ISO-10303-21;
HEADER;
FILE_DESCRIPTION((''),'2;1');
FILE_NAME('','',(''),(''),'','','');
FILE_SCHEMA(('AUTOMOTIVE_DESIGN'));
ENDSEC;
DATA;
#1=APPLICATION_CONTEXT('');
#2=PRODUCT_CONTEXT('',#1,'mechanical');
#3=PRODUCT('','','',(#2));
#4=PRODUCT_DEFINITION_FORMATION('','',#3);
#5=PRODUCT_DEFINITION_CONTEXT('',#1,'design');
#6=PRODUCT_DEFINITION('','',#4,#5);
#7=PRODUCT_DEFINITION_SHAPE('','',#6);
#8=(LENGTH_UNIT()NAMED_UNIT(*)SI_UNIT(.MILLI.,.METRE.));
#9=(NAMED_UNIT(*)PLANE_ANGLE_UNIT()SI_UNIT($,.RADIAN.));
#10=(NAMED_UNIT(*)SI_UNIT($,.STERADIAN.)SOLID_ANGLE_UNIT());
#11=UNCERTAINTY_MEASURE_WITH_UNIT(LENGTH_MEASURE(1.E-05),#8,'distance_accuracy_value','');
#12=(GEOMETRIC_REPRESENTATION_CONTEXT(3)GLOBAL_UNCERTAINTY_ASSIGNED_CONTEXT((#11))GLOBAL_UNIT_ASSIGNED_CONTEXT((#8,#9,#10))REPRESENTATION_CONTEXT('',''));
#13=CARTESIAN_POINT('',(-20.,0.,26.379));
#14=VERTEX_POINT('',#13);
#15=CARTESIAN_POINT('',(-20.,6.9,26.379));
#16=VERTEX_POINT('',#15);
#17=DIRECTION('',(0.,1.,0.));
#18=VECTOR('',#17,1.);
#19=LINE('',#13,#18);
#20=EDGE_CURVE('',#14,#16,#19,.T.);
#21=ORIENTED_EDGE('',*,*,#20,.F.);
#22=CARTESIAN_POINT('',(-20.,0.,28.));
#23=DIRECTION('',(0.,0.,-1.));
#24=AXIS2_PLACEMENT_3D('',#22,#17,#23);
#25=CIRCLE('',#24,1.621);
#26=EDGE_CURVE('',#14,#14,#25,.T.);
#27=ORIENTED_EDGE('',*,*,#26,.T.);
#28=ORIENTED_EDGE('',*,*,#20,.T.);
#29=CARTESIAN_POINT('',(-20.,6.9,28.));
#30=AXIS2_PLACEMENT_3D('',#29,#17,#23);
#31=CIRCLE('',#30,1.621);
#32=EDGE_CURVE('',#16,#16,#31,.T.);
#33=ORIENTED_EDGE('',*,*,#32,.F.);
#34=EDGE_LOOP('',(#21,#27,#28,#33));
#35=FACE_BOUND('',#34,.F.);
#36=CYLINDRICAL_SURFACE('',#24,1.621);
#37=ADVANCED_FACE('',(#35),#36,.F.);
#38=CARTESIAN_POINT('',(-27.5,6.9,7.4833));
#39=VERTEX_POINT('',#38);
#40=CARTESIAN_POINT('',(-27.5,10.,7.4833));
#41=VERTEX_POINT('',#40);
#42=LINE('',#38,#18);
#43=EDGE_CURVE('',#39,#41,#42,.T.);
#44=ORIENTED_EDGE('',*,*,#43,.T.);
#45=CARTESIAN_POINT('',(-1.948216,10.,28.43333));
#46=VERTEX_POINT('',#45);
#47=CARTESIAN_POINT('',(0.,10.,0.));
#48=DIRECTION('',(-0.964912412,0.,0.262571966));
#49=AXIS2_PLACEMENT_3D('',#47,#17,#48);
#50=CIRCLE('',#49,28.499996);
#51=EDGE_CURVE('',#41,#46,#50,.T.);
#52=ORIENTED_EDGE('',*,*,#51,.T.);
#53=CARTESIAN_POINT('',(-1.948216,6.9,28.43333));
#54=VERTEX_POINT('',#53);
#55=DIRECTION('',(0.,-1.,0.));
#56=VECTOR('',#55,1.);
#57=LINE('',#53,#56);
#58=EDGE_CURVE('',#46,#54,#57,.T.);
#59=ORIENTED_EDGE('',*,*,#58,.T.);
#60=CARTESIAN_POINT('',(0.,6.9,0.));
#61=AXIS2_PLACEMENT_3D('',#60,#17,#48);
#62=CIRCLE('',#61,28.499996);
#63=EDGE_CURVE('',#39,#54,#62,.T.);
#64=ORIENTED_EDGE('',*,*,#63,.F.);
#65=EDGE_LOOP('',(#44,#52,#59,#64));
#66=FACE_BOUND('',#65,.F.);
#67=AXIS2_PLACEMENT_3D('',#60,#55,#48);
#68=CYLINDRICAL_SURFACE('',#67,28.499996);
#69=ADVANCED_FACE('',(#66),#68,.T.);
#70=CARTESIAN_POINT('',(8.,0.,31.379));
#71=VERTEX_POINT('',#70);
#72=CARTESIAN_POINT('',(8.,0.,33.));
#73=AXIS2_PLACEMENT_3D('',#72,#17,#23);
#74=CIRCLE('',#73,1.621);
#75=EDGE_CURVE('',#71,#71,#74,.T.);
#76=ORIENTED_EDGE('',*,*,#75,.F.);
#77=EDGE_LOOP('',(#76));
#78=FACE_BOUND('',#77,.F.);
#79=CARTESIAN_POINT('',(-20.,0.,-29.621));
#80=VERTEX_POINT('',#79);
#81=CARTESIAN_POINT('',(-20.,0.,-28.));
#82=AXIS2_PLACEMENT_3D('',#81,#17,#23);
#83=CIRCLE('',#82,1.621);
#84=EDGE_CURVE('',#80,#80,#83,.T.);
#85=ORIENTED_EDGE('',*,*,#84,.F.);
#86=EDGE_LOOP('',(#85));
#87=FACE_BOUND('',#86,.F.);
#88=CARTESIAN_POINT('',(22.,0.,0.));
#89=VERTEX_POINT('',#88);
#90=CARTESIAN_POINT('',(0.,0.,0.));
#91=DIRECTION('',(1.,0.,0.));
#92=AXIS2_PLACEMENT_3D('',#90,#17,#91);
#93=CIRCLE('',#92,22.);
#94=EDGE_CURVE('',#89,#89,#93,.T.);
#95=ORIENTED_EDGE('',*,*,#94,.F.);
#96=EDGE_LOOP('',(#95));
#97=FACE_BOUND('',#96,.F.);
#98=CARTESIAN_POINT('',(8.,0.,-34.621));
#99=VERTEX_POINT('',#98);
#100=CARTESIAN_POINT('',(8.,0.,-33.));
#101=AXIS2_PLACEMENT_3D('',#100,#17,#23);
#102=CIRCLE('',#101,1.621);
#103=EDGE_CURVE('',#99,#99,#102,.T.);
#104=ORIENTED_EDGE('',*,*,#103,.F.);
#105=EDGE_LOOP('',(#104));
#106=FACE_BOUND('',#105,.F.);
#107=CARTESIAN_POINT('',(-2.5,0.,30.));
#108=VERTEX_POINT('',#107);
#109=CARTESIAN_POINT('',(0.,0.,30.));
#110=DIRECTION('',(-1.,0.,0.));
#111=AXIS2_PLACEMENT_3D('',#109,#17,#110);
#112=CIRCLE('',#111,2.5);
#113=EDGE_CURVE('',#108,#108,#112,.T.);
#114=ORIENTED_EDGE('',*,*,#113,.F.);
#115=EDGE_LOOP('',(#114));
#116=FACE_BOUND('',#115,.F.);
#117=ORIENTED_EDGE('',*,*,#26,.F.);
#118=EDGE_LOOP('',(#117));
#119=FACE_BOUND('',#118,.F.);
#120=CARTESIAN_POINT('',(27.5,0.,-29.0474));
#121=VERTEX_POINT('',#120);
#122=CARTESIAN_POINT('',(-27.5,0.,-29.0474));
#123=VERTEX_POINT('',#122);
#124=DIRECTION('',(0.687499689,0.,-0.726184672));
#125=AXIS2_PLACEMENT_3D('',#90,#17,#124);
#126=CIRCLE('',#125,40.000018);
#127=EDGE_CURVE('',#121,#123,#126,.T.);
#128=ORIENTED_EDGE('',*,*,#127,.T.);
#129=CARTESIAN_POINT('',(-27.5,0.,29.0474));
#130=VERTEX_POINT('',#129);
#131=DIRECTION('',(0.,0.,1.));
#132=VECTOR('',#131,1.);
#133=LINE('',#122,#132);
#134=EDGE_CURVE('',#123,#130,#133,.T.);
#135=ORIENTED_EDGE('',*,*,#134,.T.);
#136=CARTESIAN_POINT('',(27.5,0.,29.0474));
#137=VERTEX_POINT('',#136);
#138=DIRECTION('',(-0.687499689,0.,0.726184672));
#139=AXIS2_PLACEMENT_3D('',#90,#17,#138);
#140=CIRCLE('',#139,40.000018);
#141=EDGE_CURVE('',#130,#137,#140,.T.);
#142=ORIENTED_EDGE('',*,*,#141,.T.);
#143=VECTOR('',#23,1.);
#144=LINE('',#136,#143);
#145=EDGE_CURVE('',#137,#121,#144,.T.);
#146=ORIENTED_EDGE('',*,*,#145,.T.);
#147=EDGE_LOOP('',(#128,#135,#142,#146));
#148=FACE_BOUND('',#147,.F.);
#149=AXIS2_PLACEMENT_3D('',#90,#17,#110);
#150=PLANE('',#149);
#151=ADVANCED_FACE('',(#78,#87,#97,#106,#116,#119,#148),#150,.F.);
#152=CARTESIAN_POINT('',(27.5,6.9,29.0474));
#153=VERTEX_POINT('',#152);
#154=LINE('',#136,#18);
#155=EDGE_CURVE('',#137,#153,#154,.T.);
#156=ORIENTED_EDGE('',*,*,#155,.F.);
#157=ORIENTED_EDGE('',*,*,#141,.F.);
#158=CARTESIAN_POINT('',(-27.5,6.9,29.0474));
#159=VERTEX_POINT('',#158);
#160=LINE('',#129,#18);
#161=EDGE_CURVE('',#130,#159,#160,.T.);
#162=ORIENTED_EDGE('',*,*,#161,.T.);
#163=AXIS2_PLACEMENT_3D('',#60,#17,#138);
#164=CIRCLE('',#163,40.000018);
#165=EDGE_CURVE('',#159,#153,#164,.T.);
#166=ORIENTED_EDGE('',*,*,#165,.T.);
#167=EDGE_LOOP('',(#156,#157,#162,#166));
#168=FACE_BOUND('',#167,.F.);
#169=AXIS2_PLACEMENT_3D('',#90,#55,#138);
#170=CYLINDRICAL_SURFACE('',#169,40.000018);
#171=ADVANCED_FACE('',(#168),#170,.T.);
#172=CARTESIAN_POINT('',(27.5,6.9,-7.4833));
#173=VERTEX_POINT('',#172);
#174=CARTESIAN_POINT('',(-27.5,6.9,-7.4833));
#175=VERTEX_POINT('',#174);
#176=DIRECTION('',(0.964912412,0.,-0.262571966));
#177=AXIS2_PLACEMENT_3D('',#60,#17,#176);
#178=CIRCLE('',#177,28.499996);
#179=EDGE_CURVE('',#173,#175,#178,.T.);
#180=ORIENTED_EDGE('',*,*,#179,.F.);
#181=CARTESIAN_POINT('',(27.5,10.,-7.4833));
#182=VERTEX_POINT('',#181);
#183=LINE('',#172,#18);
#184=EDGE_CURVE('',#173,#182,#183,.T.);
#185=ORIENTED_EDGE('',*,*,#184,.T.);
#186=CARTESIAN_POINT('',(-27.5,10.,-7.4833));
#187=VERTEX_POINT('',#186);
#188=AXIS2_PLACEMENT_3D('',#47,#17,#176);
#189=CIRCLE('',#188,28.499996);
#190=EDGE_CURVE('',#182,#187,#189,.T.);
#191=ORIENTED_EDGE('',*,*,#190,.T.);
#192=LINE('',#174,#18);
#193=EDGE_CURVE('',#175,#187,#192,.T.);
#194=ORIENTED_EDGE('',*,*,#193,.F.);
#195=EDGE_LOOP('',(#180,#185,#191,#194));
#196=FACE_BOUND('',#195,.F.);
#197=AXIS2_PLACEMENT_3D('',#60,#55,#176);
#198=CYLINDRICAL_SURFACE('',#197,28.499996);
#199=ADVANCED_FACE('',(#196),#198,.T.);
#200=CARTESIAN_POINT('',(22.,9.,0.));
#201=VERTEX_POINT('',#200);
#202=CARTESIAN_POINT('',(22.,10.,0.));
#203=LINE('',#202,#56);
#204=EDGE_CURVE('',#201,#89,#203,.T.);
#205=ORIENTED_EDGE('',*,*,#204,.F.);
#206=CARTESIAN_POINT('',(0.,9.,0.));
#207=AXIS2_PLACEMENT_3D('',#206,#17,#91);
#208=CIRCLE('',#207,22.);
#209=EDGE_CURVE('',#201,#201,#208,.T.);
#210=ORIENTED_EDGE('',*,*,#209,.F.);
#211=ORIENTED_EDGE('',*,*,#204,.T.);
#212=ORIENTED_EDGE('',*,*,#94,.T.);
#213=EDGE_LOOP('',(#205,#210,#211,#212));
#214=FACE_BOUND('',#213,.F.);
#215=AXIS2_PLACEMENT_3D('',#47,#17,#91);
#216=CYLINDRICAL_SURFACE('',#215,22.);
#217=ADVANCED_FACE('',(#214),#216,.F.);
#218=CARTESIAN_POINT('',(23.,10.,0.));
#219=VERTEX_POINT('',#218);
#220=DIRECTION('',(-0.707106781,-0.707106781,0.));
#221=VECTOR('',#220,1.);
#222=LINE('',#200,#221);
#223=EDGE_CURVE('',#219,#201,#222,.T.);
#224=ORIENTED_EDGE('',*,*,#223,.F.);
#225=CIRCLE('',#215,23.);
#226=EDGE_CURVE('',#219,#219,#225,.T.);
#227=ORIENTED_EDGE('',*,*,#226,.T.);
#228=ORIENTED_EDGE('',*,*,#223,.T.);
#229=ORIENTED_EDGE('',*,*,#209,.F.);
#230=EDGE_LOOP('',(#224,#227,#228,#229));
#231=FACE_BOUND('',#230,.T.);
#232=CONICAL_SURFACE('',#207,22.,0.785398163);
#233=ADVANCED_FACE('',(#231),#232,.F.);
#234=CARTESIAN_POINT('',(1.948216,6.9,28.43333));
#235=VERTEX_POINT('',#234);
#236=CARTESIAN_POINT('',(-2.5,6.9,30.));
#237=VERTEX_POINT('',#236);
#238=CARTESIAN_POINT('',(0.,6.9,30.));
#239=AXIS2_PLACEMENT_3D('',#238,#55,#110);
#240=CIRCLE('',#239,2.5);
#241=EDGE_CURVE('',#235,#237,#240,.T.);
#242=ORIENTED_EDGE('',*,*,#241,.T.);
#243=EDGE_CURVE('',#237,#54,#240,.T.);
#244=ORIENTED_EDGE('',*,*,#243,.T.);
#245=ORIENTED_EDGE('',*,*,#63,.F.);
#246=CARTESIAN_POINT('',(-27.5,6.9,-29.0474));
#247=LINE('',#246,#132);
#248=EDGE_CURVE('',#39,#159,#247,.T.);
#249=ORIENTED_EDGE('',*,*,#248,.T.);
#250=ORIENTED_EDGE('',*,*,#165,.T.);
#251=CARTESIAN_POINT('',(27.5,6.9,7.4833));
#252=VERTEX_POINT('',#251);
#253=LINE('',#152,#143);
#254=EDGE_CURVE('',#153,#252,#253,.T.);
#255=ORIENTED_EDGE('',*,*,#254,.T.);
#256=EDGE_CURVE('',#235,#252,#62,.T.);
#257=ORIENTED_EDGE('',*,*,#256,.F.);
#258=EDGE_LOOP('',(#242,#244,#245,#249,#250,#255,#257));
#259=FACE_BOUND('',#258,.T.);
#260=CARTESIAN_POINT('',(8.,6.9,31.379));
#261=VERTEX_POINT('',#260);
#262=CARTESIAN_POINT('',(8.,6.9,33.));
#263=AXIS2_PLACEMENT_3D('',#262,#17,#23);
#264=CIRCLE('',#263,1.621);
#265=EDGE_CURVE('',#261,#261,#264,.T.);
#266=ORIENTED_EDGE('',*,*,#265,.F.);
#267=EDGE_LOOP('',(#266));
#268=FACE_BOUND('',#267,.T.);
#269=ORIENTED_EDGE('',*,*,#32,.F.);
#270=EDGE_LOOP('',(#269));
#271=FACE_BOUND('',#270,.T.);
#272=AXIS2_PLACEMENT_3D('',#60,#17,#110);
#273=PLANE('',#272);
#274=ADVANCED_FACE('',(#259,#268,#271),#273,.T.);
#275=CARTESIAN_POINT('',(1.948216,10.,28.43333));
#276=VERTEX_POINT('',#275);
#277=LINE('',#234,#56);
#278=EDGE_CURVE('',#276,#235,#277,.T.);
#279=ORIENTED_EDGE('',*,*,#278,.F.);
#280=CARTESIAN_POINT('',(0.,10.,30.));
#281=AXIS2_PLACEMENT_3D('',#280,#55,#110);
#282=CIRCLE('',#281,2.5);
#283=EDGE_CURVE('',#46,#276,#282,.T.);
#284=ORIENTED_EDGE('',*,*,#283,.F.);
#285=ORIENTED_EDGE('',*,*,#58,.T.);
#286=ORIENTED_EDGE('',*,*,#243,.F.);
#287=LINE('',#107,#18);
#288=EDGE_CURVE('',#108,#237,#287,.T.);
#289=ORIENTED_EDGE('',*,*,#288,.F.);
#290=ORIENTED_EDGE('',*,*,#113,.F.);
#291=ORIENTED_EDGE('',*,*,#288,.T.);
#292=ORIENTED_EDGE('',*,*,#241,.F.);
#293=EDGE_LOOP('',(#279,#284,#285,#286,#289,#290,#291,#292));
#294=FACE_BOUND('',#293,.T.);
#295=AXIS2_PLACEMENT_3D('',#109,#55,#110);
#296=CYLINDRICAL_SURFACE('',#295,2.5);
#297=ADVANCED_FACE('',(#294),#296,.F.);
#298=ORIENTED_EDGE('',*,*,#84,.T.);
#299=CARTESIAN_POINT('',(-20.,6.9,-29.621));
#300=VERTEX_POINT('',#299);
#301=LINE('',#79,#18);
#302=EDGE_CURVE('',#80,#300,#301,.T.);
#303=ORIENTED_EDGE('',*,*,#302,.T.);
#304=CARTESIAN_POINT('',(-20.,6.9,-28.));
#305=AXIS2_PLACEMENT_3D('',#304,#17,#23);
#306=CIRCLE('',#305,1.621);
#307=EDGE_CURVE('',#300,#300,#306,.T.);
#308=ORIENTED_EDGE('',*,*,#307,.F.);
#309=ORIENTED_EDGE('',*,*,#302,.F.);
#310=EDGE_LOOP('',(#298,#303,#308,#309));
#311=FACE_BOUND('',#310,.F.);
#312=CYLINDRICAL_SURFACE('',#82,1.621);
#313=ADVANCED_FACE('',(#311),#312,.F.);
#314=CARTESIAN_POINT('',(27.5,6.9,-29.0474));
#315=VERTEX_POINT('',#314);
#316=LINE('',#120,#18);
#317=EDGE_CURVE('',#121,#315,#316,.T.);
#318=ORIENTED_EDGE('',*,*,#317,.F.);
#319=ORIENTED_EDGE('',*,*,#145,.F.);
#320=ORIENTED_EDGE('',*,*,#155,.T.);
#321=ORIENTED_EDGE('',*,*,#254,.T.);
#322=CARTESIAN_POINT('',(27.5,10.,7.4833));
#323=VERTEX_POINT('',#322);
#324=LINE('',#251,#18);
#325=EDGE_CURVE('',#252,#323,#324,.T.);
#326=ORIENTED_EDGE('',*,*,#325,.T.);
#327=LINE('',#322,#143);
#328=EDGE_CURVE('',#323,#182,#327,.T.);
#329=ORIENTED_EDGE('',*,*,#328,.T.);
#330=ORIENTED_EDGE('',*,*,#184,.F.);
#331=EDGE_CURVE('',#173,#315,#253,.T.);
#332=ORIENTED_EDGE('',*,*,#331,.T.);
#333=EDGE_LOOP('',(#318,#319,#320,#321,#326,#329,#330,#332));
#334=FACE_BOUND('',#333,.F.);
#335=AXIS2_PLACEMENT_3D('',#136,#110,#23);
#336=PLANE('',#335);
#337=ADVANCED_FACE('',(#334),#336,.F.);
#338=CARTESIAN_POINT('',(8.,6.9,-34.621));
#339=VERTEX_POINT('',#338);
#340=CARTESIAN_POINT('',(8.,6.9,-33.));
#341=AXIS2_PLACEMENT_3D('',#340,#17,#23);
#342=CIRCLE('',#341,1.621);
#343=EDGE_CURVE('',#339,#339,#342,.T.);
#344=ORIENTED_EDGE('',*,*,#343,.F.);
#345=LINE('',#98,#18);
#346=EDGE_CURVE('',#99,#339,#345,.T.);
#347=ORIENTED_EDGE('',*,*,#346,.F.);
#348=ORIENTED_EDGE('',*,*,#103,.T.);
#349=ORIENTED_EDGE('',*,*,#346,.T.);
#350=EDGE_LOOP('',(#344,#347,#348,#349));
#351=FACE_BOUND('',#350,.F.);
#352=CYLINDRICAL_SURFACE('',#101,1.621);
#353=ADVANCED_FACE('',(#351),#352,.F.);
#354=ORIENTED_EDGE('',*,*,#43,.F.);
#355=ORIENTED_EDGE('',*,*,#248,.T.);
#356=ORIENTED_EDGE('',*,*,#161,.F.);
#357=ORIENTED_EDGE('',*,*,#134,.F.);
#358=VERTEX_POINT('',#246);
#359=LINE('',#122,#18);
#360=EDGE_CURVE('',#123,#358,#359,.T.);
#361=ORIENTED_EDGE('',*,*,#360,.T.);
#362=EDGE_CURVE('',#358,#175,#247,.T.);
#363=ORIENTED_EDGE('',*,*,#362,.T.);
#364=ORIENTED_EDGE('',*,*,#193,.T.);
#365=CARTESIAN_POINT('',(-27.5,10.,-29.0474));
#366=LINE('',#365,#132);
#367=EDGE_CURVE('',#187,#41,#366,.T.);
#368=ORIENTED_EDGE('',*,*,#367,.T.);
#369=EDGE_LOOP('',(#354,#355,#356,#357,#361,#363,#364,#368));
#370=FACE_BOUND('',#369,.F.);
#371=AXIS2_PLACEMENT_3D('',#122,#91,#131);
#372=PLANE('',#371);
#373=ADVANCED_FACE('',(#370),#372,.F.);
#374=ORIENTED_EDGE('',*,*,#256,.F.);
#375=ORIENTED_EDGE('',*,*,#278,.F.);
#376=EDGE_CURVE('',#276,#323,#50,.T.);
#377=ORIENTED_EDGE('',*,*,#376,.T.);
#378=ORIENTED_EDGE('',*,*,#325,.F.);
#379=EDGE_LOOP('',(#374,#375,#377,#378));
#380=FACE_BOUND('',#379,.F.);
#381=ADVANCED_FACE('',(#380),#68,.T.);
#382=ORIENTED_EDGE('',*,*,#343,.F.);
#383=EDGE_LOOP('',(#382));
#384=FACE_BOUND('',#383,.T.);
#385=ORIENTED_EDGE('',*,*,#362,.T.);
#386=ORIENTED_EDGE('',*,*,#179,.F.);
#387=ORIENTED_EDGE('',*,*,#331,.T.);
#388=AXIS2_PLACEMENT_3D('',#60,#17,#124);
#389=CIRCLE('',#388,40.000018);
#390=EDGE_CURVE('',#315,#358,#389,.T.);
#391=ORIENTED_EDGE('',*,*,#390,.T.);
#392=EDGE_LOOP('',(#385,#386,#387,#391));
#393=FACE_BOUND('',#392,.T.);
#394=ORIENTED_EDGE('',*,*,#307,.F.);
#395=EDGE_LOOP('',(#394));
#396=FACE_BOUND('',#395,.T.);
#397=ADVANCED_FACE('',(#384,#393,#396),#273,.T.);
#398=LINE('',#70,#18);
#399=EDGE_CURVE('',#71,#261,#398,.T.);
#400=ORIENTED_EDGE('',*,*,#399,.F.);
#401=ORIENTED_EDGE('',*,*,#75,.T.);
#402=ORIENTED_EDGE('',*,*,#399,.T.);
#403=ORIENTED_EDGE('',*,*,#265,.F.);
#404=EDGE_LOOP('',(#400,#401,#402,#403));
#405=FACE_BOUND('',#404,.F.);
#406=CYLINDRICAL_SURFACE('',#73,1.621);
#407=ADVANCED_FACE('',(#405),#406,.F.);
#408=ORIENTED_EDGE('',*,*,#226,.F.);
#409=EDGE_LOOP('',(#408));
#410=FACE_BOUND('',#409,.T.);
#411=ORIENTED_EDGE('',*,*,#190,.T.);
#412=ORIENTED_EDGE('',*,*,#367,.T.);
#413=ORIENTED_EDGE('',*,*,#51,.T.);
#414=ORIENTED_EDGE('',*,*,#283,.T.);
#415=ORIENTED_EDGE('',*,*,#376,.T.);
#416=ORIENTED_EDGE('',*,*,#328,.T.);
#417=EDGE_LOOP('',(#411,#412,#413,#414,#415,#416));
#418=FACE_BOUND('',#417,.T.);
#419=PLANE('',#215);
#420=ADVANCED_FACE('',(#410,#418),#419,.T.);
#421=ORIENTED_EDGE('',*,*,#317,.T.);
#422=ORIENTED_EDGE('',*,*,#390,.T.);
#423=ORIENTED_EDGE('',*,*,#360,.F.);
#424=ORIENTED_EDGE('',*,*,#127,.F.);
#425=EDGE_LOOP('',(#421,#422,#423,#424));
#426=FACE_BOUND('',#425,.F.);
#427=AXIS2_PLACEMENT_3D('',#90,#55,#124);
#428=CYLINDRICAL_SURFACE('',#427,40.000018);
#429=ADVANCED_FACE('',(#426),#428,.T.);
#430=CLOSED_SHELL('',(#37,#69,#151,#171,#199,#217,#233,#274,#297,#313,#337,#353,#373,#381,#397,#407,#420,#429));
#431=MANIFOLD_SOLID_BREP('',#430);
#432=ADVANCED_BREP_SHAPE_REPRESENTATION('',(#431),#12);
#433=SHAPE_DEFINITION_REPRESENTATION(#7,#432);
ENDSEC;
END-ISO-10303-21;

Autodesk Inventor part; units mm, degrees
ref_plane "YZ Plane" through (0, 0, 0) normal (1, 0, 0) x (0, 1, 0)
ref_plane "XZ Plane" through (0, 0, 0) normal (0, 1, 0) x (-1, 0, 0)
ref_plane "XY Plane" through (0, 0, 0) normal (0, 0, 1) x (1, 0, 0)
sketch "Skizze1" plane through (0, 0, 0) normal (0, 1, 0) x (-1, 0, 0)
  line L0 (-27.5, 29.0474) -> (-27.5, -29.0474)
  line L1 (27.5, -29.0474) -> (27.5, 29.0474)
  arc A0 (27.5, 29.0474) -> (-27.5, 29.0474) centre (0, 0) ccw
  arc A1 (-27.5, -29.0474) -> (27.5, -29.0474) centre (0, 0) ccw
  dimension "d4" = 27.5
  dimension "d5" = 40
extrude "Basebody 1" add sketch "Skizze1" along normal blind 6.9
sketch "Skizze2" plane through (0, 6.9, 0) normal (0, 1, 0) x (1, 0, 0)
  line L0 (-27.5, 29.0474) -> (-27.5, -29.0474) projected
  arc A0 (27.5, 29.0474) -> (-27.5, 29.0474) centre (0, 0) ccw projected
  line L1 (-27.5, -7.4833) -> (-27.5, 7.4833)
  arc A1 (-27.5, -29.0474) -> (27.5, -29.0474) centre (0, 0) ccw projected
  line L2 (27.5, -7.4833) -> (27.5, 7.4833)
  arc A2 (-27.5, -7.4833) -> (27.5, -7.4833) centre (0, 0) ccw
  arc A3 (27.5, 7.4833) -> (-27.5, 7.4833) centre (0, 0) ccw
extrude "Basebody 2" add sketch "Skizze2" along normal blind 3.1
sketch "Skizze3" plane through (0, 10, 0) normal (0, 1, 0) x (1, 0, 0)
  arc A0 (27.5, 29.0474) -> (-27.5, 29.0474) centre (0, 0) ccw projected
  circle A1 centre (0, 0) radius 22
  dimension "d11" = 44
extrude "44H7 Drill" cut sketch "Skizze3" against normal through all
sketch "Skizze4" plane through (0, 0, 0) normal (0, 1, 0) x (-1, 0, 0)
  circle A0 centre (0, 30) radius 2.5
  arc A1 (27.5, 7.4833) -> (-27.5, 7.4833) centre (0, 0) ccw projected
  dimension "d14" = 30
  dimension "d15" = 5
extrude "5H7 Drill" cut sketch "Skizze4" along normal through all
sketch "Skizze6" plane through (0, 0, 0) normal (0, 1, 0) x (-1, 0, 0)
  circle A0 centre (20, 28) radius 2
  line L0 (-27.5, 29.0474) -> (-27.5, -29.0474) projected
  circle A1 centre (-8, 33) radius 2
  line L1 (32.1852, 0) -> (-31.2523, 0)
  circle A2 centre (20, -28) radius 2
  circle A3 centre (-8, -33) radius 2
  point P0 (0, 0)
  dimension "d18" = 4
  dimension "d19" = 28
  dimension "d20" = 47.5
  dimension "d21" = 4
  dimension "d22" = 33
  dimension "d23" = 19.5
hole "M4" at (8, 0, 33) at (-20, 0, 28) at (-20, 0, -28) at (8, 0, -33) direction (0, 1, 0) diameter 3.242 end through all thread size "M4x0.7" class "6H" standard "ISO Metric profile"
chamfer "Fasen2" distance 1 angle 45 1 edges at (-22, 10, 0)
properties part number "27-30-400 Bearing, Housing Measuring Head" material "Aluminium"
